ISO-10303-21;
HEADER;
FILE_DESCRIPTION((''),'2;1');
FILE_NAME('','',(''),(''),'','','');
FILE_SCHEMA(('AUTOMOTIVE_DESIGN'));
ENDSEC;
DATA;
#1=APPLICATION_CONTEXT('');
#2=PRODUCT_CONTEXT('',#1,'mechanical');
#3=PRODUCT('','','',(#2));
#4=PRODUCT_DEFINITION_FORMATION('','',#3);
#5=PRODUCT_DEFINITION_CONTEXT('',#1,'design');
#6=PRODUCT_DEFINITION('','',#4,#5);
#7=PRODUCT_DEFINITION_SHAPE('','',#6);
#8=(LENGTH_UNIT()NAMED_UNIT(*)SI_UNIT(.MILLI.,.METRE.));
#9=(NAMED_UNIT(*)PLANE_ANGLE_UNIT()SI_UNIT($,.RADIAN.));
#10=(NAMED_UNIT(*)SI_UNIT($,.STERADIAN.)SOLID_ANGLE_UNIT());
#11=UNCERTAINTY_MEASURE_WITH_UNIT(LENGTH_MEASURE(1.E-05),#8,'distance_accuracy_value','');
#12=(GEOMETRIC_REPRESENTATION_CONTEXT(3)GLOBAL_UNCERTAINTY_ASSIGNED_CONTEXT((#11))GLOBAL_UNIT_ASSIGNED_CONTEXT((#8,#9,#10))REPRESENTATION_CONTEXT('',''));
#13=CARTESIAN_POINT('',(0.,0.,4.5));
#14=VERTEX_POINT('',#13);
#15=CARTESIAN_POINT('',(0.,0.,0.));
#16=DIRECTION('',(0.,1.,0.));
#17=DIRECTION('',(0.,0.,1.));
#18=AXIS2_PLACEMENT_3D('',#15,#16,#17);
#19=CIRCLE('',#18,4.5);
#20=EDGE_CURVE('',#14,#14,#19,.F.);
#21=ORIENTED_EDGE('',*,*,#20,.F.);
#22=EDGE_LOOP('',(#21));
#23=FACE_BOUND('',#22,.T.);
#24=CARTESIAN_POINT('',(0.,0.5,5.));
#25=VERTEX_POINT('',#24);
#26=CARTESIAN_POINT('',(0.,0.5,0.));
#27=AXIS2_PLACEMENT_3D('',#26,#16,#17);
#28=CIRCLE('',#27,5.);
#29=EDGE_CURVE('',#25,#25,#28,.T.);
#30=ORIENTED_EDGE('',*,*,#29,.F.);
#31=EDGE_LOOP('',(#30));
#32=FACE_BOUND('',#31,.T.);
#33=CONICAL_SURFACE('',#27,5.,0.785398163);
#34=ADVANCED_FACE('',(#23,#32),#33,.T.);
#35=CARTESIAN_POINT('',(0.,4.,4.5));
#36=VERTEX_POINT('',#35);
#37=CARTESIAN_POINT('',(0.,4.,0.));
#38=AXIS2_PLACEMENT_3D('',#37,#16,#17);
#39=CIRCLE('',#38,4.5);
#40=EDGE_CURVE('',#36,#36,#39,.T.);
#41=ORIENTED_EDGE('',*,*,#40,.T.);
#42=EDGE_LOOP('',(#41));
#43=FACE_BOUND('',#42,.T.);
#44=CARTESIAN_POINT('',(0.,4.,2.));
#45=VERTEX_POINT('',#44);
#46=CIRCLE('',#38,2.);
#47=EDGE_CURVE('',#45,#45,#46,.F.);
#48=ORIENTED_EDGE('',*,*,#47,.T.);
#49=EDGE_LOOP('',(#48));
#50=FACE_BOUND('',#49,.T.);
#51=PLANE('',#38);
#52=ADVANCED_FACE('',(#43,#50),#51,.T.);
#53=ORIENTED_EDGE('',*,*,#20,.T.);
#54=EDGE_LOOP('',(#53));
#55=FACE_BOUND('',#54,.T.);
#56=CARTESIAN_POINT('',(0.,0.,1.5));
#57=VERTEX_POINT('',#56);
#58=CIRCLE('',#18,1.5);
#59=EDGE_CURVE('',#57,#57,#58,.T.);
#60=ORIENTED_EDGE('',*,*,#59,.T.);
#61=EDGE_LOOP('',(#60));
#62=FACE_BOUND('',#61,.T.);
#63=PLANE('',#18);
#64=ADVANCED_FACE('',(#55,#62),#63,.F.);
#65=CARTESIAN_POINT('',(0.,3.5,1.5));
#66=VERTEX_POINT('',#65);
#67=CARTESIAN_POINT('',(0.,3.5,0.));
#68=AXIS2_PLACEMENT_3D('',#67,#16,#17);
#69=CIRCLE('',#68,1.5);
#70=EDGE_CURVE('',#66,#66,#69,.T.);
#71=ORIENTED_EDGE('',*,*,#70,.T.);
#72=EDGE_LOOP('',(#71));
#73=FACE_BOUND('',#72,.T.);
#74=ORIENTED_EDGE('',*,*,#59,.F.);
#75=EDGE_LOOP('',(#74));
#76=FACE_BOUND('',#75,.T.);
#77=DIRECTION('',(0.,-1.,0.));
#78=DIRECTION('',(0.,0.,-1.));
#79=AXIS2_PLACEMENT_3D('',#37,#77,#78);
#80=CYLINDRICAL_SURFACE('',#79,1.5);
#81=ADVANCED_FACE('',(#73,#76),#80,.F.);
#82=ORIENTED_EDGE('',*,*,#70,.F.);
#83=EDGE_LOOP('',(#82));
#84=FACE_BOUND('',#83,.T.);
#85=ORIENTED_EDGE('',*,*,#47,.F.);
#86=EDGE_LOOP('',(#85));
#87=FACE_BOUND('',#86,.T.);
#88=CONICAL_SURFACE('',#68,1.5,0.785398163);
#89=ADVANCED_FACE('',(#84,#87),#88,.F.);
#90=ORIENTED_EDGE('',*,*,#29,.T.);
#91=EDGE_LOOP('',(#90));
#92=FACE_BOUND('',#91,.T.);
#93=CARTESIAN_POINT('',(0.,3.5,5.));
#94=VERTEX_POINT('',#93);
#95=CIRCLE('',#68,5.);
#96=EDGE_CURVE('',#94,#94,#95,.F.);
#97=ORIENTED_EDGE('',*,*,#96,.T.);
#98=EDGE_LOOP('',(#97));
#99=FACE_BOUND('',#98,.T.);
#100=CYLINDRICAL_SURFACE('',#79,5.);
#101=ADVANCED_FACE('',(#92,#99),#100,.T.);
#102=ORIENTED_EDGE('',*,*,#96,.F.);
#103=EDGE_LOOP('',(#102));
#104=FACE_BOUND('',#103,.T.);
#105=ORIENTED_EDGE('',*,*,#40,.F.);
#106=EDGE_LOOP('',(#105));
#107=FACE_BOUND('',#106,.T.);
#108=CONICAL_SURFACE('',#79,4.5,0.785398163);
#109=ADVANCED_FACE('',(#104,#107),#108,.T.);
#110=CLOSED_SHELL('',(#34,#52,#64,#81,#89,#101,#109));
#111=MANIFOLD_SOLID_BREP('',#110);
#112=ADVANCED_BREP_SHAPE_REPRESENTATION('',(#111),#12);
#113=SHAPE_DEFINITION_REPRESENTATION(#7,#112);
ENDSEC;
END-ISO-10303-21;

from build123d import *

# Parameters (mm, degrees)
SKETCH_1_R      = 5
SKETCH_1_R_2    = 1.5
EXTRUDE_1_DEPTH = 4
CHAMFER_1_SIZE  = 0.5


with BuildPart() as part:
    # 草图1 → 凸台-拉伸1 (new body)
    with BuildSketch(Plane(origin=(0, 0, 0), x_dir=(1, 0, 0), z_dir=(0, 1, 0))):
        with Locations(Location((0, 0, 0), (0, 0, 270))):
            Circle(SKETCH_1_R)
        with Locations(Location((0, 0, 0), (0, 0, 270))):
            Circle(SKETCH_1_R_2, mode=Mode.SUBTRACT)
    extrude(amount=EXTRUDE_1_DEPTH)

    # 倒角1
    chamfer_1_edges = [part.edges().sort_by_distance(p)[0] for p in [
        (0, 0, -5),
        (0, 4, -5),
        (0, 4, -1.5),
    ]]
    chamfer(chamfer_1_edges, length=CHAMFER_1_SIZE)


solid = part.part
